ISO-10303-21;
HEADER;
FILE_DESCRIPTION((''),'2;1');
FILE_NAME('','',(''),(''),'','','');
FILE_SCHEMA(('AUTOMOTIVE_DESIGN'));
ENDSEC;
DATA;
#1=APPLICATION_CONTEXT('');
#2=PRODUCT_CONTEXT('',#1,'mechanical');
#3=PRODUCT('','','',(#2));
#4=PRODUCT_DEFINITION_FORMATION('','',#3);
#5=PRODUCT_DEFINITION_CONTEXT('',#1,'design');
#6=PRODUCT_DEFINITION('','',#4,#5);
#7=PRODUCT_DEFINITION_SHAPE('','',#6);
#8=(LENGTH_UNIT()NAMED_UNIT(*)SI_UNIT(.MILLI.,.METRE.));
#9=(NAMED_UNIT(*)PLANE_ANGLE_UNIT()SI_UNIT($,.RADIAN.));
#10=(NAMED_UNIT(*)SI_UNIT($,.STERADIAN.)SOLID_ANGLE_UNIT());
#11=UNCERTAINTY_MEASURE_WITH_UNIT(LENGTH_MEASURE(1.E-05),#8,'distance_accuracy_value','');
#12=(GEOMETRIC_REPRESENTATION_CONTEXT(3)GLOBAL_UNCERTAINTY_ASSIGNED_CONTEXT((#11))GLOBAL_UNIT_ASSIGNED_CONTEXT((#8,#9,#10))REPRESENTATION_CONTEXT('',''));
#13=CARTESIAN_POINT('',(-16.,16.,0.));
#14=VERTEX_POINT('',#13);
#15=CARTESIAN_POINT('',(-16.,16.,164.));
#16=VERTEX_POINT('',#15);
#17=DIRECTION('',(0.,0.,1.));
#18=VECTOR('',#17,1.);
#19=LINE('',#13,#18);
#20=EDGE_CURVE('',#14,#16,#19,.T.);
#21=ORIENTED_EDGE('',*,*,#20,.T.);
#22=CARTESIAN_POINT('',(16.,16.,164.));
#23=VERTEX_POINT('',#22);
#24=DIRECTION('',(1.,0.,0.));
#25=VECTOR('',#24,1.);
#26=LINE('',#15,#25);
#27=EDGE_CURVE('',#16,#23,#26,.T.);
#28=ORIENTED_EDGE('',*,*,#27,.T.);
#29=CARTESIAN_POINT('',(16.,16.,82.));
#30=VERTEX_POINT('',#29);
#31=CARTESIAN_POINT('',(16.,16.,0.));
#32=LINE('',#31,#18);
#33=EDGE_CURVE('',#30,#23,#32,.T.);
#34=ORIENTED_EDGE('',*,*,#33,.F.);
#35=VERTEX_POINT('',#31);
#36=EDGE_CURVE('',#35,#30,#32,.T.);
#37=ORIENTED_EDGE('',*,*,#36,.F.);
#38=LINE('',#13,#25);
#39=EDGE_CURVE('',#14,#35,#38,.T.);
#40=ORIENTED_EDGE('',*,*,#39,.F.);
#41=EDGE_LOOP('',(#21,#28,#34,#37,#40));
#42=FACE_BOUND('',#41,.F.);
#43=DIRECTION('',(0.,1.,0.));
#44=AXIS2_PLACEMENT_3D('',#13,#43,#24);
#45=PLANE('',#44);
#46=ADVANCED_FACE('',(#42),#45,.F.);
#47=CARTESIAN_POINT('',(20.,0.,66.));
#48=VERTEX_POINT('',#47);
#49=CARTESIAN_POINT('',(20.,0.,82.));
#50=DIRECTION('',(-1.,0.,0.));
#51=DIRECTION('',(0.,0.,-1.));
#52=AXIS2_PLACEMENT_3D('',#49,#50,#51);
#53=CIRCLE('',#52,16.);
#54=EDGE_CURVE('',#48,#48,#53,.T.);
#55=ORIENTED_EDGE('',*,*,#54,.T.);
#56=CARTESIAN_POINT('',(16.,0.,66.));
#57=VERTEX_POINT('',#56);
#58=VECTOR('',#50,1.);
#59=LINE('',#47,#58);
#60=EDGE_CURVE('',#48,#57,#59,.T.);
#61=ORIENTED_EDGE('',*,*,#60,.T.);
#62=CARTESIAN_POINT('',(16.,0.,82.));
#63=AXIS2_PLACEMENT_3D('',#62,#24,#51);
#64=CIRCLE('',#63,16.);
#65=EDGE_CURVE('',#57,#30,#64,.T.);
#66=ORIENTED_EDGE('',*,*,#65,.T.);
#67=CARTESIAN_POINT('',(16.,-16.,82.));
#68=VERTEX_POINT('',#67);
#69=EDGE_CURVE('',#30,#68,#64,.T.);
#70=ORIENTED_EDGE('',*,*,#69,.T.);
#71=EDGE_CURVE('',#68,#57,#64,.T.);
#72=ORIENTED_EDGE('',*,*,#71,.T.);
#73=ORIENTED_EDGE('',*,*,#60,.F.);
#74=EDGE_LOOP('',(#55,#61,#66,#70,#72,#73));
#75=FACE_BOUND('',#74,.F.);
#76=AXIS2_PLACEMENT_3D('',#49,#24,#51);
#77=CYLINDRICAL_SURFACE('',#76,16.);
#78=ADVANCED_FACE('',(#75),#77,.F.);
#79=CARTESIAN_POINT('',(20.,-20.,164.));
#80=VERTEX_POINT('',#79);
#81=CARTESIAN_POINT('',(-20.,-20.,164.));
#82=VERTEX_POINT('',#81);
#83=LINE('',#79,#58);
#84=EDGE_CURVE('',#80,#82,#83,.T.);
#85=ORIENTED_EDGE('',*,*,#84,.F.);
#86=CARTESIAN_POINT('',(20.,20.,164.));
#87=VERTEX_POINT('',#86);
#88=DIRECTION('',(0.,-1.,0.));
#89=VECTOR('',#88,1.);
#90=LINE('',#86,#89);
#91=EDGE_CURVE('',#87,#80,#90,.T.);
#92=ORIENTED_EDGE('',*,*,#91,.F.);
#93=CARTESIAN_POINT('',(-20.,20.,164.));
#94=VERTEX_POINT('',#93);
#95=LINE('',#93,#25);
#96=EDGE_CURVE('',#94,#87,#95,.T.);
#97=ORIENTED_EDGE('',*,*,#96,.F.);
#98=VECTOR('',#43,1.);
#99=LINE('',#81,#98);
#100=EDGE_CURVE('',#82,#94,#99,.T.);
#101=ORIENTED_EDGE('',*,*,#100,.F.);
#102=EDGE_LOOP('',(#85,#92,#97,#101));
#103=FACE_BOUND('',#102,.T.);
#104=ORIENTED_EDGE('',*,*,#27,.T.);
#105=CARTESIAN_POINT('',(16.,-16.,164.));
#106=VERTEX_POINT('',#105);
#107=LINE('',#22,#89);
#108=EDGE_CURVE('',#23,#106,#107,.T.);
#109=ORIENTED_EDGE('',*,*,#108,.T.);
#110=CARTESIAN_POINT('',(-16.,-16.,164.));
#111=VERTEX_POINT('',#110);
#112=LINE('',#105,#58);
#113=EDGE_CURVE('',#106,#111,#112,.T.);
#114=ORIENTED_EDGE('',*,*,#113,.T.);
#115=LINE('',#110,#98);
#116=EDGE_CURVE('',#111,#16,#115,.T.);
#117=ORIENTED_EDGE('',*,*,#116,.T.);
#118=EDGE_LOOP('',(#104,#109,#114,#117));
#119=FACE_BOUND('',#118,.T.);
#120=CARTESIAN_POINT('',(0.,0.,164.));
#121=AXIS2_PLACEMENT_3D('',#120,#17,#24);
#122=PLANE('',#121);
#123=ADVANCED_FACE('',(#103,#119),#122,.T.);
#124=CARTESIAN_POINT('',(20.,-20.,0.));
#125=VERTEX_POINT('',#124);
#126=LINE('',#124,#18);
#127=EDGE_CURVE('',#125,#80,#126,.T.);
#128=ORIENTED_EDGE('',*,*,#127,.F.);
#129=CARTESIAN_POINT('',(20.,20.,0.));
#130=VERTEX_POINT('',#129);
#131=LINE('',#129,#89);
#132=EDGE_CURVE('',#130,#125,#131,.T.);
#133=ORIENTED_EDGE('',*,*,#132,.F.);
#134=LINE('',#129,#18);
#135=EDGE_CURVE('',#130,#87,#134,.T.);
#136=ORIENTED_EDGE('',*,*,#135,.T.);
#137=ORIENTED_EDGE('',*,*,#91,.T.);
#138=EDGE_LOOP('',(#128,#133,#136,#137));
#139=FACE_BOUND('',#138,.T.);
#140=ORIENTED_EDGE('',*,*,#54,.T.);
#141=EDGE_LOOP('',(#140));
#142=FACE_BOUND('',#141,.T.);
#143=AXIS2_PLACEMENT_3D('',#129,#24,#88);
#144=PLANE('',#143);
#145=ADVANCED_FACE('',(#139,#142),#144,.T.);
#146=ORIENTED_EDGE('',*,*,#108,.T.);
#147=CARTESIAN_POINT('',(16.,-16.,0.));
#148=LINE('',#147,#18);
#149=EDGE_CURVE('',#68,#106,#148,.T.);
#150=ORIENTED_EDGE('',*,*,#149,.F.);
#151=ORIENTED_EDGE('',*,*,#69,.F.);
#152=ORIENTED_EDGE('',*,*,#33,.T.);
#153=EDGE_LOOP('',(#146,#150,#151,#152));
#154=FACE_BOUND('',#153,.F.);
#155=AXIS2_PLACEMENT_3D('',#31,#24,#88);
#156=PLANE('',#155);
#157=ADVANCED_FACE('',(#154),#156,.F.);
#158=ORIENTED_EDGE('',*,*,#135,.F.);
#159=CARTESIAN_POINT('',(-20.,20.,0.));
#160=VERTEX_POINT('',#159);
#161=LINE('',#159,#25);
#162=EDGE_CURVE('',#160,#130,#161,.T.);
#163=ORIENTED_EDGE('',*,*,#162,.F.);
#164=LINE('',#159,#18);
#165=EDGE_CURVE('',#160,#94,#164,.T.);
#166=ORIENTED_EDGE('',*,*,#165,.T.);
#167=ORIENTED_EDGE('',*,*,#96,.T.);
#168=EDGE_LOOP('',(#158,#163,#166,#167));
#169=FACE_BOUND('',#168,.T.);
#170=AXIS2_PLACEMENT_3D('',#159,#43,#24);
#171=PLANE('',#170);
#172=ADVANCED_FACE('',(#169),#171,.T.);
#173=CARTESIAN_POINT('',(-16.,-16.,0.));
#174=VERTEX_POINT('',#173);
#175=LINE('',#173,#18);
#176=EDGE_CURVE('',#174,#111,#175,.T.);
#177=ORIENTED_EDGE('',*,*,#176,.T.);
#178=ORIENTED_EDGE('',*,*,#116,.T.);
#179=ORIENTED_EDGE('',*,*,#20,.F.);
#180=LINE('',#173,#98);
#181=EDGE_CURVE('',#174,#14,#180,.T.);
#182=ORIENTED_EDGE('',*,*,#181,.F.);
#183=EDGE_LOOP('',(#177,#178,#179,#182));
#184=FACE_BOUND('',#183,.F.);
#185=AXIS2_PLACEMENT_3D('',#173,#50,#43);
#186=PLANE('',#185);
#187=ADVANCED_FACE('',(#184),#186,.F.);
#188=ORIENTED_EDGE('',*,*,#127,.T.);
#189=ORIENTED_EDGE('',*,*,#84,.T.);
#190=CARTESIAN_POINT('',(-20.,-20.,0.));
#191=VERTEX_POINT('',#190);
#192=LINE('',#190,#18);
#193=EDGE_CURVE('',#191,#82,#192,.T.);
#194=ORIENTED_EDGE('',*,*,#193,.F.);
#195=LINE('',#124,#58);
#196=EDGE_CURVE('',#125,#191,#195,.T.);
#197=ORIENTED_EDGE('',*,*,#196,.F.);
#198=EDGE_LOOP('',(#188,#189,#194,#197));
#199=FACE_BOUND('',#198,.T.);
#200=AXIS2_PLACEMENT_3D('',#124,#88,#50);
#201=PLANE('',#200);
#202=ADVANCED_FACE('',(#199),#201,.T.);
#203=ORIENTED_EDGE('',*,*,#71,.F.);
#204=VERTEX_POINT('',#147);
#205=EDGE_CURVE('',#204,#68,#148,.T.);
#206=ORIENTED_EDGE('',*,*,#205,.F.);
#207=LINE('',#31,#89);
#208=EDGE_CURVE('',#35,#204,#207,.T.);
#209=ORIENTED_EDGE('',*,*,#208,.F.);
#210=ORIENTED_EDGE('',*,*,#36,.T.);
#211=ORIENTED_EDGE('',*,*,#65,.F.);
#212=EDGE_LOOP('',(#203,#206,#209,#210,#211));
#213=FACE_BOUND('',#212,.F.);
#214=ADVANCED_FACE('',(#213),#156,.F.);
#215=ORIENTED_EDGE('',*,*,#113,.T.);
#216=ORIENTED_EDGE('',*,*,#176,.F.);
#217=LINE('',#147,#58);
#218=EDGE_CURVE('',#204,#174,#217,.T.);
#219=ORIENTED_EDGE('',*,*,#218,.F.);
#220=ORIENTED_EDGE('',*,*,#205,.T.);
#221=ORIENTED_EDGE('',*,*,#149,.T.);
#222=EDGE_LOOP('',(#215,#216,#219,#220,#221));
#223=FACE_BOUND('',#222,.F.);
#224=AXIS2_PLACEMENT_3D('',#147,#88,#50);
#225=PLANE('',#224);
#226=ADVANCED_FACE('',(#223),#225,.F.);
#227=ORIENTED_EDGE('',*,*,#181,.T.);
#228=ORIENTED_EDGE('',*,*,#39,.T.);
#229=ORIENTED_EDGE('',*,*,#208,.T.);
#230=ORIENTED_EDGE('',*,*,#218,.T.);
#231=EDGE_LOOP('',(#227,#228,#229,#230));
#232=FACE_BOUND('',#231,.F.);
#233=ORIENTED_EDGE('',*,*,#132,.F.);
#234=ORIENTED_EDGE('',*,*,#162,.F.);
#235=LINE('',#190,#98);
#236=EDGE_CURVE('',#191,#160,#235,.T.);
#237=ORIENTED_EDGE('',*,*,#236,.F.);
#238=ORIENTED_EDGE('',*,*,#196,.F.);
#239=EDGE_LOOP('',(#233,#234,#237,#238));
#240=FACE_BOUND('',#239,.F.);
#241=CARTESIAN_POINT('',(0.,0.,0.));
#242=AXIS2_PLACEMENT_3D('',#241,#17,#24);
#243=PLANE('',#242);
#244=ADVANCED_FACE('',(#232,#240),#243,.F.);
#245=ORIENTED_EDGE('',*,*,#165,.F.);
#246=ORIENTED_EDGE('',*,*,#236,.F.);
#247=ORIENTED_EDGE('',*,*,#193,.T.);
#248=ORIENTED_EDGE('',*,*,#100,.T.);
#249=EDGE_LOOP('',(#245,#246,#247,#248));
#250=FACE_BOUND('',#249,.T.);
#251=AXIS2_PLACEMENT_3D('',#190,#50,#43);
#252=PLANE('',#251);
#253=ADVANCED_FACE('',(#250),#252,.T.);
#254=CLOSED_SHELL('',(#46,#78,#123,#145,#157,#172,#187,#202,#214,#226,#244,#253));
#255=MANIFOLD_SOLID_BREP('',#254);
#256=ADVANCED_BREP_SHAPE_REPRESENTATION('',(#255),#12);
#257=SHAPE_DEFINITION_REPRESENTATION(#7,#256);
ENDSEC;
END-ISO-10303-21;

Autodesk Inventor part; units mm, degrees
ref_plane "YZ Plane" through (0, 0, 0) normal (1, 0, 0) x (0, 1, 0)
ref_plane "XZ Plane" through (0, 0, 0) normal (0, 1, 0) x (-1, 0, 0)
ref_plane "XY Plane" through (0, 0, 0) normal (0, 0, 1) x (1, 0, 0)
sketch "Boceto1" plane through (0, 0, 0) normal (0, 0, 1) x (1, 0, 0)
  line L0 (-20, 20) -> (20, 20)
  line L1 (20, 20) -> (20, -20)
  line L2 (20, -20) -> (-20, -20)
  line L3 (-20, -20) -> (-20, 20)
  line L4 (-20, 20) -> (20, -20) construction
  line L5 (-16, 16) -> (16, 16)
  line L6 (16, 16) -> (16, -16)
  line L7 (16, -16) -> (-16, -16)
  line L8 (-16, -16) -> (-16, 16)
  line L9 (-16, 0) -> (-20, 0) construction
  line L10 (0, 16) -> (0, 20) construction
  line L11 (16, 0) -> (20, 0) construction
  line L12 (0, -16) -> (0, -20) construction
  point P0 (0, 0)
  point P1 (0, 0)
  dimension "d0" = 40
  dimension "d1" = 4
extrude "Extrusión1" add sketch "Boceto1" along normal blind 164
sketch "Boceto2" plane through (20, -20, 0) normal (1, 0, 0) x (0, 0, -1)
  line L0 (0, 20) -> (-164, 20)
  line L1 (-164, 36) -> (-164, 4) projected
  line L2 (0, 0) -> (0, 40) projected
  circle A0 centre (-82, 20) radius 16
  point P0 (0, 20)
  dimension "d4" = 32
extrude "Extrusión2" cut sketch "Boceto2" against normal up to surface (4 mm away)
properties part number "C_358_40_2"
